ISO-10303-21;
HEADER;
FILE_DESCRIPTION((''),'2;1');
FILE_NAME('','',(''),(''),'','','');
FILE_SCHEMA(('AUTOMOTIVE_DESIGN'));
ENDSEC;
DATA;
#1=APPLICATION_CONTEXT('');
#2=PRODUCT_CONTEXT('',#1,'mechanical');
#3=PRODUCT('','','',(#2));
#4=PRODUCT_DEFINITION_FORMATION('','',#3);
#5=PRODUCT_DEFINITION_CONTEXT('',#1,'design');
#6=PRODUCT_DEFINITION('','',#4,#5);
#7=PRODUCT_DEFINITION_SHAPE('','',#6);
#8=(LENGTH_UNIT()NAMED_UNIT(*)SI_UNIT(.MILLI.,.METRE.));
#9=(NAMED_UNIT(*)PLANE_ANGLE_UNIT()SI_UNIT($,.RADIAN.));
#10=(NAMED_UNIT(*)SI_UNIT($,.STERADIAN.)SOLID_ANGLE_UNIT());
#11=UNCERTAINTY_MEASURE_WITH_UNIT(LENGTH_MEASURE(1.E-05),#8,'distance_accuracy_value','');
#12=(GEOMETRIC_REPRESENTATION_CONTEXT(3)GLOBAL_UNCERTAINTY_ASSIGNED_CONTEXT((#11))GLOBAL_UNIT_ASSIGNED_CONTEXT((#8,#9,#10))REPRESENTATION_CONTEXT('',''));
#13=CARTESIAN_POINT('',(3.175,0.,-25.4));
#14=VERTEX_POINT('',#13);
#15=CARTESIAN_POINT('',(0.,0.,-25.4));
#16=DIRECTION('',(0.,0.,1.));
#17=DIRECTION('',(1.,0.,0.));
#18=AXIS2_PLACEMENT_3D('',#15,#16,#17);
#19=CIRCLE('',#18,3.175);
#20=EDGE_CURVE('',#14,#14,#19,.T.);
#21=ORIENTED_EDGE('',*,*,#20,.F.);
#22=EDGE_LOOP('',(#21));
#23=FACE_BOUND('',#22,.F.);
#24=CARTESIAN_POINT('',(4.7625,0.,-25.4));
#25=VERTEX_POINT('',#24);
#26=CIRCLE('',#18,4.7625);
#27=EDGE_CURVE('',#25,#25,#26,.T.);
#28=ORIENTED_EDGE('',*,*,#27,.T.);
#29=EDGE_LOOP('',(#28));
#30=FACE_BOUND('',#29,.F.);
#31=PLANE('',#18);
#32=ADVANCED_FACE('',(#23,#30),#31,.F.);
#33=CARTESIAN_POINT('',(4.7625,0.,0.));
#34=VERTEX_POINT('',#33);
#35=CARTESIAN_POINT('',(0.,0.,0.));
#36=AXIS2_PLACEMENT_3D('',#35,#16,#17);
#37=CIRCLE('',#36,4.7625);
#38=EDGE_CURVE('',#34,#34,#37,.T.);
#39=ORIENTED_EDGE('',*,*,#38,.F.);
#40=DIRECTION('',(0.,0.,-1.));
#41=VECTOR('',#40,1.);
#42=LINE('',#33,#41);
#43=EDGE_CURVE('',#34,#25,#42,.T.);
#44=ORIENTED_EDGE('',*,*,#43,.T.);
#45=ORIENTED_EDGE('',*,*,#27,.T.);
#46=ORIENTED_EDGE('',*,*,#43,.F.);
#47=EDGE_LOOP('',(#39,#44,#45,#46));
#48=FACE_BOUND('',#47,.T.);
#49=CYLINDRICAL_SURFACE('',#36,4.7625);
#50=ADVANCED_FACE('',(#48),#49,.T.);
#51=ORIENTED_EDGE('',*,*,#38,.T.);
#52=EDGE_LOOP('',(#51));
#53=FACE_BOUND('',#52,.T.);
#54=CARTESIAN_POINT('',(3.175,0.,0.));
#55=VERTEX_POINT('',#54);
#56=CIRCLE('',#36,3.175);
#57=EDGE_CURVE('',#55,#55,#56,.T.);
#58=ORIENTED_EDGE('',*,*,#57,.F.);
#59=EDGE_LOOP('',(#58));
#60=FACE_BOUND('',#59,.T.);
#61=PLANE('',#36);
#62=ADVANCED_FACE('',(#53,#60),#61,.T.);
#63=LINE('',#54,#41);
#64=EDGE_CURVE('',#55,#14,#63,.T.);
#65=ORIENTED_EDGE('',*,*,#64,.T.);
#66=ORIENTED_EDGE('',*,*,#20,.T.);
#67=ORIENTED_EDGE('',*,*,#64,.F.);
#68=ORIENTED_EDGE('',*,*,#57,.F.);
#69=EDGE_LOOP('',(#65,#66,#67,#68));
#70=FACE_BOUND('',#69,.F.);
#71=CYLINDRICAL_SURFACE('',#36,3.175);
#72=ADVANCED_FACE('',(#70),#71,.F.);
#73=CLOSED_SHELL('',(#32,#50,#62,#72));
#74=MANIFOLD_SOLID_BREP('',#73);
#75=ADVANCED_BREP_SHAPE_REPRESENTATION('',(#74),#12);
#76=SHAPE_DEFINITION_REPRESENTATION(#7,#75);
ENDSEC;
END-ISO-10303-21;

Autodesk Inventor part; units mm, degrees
ref_plane "YZ Plane" through (0, 0, 0) normal (1, 0, 0) x (0, 1, 0)
ref_plane "XZ Plane" through (0, 0, 0) normal (0, 1, 0) x (-1, 0, 0)
ref_plane "XY Plane" through (0, 0, 0) normal (0, 0, 1) x (1, 0, 0)
sketch "Sketch1" plane through (0, 0, 0) normal (0, 0, 1) x (1, 0, 0)
  circle A0 centre (0, 0) radius 3.175
  circle A1 centre (0, 0) radius 4.7625
  dimension "d0" = 6.35
  dimension "d1" = 1.5875
extrude "Extrusion1" add sketch "Sketch1" against normal blind 25.4
properties part number "AD-hoc 1 spacer"
